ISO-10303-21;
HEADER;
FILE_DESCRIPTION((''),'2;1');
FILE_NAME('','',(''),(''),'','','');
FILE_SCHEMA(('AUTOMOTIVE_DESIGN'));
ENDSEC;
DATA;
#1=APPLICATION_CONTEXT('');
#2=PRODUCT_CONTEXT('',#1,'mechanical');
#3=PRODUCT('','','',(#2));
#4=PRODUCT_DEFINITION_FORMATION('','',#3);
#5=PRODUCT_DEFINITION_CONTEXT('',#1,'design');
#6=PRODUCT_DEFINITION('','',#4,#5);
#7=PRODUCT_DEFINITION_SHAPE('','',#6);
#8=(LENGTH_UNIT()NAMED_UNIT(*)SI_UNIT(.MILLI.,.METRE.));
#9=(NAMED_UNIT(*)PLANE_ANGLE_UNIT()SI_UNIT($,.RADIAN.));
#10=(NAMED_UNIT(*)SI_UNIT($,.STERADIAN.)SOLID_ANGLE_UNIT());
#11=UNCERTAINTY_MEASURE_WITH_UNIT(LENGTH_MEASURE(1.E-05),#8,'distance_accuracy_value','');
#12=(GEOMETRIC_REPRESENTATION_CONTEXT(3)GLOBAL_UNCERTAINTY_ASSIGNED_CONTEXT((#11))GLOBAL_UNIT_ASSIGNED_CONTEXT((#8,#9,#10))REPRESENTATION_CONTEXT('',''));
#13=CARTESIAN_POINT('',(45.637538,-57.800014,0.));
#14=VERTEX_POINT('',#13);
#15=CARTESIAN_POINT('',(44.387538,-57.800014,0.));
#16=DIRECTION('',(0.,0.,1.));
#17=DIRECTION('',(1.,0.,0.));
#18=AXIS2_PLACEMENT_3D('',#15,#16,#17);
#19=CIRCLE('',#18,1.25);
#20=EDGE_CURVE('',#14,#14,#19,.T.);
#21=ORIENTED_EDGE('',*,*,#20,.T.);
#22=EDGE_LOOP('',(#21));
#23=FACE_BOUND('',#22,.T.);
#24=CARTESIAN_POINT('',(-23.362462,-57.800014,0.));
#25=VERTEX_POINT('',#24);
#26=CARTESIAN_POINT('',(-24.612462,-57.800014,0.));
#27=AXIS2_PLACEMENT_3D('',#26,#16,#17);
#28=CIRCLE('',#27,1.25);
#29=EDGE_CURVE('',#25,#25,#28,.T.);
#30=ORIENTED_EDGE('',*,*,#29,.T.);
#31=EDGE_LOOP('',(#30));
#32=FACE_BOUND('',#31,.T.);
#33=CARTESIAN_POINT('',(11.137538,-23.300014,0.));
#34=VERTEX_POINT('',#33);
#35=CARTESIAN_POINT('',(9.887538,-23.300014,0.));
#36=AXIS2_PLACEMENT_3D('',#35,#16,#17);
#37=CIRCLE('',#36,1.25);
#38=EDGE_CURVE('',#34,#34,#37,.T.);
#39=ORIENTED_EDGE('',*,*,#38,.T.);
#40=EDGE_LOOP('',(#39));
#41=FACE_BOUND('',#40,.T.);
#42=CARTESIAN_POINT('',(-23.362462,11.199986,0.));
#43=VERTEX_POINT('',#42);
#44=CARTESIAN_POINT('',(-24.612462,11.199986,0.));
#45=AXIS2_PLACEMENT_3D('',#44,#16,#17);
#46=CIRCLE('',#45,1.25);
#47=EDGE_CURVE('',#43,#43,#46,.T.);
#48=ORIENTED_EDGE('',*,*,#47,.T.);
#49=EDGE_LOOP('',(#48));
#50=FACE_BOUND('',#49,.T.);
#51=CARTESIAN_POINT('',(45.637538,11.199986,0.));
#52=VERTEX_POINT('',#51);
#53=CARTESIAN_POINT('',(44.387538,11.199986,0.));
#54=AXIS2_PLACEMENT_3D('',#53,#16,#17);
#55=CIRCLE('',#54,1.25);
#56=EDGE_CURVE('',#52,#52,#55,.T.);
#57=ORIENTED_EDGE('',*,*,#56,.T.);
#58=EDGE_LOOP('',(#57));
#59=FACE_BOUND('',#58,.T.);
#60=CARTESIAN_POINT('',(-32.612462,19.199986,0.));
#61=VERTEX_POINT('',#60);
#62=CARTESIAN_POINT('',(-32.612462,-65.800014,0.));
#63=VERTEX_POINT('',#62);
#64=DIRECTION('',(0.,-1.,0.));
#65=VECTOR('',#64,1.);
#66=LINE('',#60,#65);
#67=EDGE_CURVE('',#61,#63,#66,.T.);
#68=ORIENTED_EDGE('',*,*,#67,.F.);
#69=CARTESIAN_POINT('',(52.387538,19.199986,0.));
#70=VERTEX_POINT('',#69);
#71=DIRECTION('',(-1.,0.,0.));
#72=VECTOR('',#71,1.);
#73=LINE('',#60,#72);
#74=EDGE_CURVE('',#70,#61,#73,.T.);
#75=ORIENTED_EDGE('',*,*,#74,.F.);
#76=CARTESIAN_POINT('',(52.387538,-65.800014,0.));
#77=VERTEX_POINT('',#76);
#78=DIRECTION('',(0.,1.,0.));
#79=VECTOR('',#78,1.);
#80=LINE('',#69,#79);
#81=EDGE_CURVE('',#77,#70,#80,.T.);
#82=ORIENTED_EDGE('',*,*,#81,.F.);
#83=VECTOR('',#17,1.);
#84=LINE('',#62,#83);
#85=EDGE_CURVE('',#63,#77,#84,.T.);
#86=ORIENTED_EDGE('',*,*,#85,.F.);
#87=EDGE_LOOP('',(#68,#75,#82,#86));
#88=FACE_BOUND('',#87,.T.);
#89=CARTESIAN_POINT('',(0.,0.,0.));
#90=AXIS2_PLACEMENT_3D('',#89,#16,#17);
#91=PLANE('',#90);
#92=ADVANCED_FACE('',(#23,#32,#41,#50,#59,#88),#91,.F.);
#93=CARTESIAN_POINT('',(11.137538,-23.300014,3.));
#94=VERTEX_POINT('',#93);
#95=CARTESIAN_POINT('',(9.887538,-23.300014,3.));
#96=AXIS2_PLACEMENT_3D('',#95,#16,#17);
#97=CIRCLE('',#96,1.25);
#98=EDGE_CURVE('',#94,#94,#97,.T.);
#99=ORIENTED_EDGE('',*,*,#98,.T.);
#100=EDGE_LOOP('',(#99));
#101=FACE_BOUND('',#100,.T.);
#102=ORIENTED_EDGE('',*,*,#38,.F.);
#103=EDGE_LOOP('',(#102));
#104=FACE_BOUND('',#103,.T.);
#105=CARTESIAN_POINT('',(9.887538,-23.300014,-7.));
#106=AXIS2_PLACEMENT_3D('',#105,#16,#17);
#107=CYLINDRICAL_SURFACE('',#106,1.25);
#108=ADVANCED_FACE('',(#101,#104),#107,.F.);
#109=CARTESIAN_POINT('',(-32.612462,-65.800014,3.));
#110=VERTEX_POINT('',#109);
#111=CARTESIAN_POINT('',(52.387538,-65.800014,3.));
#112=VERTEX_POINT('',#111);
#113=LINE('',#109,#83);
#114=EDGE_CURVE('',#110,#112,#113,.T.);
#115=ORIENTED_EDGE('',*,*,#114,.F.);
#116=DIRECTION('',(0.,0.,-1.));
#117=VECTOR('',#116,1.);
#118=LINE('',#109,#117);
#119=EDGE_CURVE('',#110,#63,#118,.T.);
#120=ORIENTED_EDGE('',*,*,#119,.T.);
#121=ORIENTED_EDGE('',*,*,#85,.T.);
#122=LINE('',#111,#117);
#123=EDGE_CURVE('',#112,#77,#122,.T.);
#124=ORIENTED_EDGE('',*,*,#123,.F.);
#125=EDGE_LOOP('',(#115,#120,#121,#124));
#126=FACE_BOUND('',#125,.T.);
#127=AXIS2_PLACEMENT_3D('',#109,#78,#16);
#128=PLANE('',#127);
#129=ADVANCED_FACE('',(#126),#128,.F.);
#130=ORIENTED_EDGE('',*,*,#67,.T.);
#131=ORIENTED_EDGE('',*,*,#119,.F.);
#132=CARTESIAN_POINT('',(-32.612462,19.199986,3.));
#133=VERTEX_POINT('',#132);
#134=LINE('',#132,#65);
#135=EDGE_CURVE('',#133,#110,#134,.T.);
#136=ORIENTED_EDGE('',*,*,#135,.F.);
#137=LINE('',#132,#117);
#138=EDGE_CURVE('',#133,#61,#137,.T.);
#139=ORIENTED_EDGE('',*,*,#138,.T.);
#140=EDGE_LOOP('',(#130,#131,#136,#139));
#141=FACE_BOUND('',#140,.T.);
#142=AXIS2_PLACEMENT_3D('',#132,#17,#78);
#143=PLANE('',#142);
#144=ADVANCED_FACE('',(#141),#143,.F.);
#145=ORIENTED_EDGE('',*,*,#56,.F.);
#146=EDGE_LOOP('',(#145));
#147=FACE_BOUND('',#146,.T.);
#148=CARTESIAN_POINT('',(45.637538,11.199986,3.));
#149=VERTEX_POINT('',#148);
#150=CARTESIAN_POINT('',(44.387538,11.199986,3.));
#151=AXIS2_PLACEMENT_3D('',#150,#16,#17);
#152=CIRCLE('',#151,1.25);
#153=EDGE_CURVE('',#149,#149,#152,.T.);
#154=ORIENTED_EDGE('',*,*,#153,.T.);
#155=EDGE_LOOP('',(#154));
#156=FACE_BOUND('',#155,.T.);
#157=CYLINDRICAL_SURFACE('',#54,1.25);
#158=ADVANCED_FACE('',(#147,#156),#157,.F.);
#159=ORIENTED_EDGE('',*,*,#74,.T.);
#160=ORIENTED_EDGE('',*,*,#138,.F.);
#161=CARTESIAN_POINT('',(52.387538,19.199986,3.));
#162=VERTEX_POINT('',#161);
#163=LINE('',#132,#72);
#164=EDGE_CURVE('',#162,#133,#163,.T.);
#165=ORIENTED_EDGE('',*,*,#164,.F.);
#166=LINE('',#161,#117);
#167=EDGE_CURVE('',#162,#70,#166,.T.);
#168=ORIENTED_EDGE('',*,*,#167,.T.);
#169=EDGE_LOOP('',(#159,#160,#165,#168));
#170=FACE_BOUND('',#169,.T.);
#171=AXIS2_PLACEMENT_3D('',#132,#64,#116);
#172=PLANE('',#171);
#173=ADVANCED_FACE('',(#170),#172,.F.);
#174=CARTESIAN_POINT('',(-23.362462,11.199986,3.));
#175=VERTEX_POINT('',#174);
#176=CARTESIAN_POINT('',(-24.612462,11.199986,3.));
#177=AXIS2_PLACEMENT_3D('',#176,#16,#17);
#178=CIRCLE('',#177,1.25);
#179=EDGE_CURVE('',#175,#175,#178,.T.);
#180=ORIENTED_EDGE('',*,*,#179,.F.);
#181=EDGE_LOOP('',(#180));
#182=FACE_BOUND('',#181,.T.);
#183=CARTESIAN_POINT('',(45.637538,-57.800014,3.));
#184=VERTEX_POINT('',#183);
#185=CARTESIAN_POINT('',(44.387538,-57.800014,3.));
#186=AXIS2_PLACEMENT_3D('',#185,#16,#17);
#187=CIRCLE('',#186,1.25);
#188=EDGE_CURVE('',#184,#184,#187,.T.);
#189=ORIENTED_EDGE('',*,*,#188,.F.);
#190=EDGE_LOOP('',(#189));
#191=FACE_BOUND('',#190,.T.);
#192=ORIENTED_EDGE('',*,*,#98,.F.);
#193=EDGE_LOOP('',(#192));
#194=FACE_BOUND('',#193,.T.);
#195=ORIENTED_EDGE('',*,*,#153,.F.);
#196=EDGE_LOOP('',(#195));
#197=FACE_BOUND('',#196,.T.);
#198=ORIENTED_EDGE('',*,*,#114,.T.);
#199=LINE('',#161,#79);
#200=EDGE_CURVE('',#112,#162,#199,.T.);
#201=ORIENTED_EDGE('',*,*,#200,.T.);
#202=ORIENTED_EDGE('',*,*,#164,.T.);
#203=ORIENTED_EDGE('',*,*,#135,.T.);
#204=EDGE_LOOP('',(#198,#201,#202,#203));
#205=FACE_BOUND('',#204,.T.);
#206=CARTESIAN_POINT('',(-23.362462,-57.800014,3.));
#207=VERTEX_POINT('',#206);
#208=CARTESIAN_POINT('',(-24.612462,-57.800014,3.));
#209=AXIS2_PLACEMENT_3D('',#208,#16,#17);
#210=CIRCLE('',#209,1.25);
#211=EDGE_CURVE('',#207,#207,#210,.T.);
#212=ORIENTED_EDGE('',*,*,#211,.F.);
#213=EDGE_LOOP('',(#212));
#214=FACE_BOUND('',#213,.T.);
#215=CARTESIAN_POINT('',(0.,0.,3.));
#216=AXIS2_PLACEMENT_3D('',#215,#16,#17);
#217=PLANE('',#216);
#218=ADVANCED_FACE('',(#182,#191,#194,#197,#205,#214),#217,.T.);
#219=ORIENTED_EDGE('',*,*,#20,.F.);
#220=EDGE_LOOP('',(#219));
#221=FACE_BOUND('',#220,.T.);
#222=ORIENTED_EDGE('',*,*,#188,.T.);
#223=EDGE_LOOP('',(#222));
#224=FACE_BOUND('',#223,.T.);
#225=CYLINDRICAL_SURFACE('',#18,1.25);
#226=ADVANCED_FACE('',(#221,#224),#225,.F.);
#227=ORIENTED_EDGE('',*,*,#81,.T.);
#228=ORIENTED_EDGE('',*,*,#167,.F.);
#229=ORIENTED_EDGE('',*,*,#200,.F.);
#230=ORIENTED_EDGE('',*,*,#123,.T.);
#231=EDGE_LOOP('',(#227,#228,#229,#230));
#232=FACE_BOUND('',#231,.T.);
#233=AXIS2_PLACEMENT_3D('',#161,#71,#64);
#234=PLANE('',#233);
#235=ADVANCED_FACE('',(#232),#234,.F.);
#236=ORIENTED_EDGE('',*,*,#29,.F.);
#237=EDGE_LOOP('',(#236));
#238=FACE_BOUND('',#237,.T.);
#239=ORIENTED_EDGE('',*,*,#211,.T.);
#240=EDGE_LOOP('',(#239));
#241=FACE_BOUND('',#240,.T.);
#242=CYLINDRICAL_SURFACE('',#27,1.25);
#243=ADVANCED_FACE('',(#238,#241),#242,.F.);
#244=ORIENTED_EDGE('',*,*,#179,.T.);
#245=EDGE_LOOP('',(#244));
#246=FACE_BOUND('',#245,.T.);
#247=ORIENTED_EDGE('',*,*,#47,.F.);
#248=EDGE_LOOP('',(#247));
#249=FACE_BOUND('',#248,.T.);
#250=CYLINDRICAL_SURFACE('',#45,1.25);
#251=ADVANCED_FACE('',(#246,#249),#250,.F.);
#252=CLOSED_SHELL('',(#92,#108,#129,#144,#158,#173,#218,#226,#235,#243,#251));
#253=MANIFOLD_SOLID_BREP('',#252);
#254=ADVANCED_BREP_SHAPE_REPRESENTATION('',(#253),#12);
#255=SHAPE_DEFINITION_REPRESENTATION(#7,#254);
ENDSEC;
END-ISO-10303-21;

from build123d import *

# Parameters (mm, degrees)
ESQUISSE1_W             = 85
ESQUISSE1_H             = 85
BOSS_EXTRU_1_DEPTH      = 3
ESQUISSE2_R             = 1.25
ENL_V_MAT_EXTRU_1_DEPTH = 3
ESQUISSE3_R             = 1.25
ENL_V_MAT_EXTRU_2_DEPTH = 10


with BuildPart() as part:
    # Esquisse1 → Boss.-Extru.1 (new body)
    with BuildSketch(Plane.XY):
        with Locations((9.887537717, -23.300013855)):
            Rectangle(ESQUISSE1_W, ESQUISSE1_H)
    extrude(amount=BOSS_EXTRU_1_DEPTH)

    # Esquisse2 → Enlèv. mat.-Extru.1 (cut)
    with BuildSketch(Plane.XY.offset(3)):
        with Locations((-24.612462283, 11.199986145)):
            Circle(ESQUISSE2_R)
        with Locations((44.387537717, 11.199986145)):
            Circle(ESQUISSE2_R)
        with Locations((-24.612462283, -57.800013855)):
            Circle(ESQUISSE2_R)
        with Locations((44.387537717, -57.800013855)):
            Circle(ESQUISSE2_R)
    extrude(amount=-ENL_V_MAT_EXTRU_1_DEPTH, mode=Mode.SUBTRACT)

    # Esquisse3 → Enlèv. mat.-Extru.2 (cut)
    with BuildSketch(Plane.XY.offset(3)):
        with Locations((9.887537717, -23.300013855)):
            Circle(ESQUISSE3_R)
    extrude(amount=-ENL_V_MAT_EXTRU_2_DEPTH, mode=Mode.SUBTRACT)


solid = part.part
